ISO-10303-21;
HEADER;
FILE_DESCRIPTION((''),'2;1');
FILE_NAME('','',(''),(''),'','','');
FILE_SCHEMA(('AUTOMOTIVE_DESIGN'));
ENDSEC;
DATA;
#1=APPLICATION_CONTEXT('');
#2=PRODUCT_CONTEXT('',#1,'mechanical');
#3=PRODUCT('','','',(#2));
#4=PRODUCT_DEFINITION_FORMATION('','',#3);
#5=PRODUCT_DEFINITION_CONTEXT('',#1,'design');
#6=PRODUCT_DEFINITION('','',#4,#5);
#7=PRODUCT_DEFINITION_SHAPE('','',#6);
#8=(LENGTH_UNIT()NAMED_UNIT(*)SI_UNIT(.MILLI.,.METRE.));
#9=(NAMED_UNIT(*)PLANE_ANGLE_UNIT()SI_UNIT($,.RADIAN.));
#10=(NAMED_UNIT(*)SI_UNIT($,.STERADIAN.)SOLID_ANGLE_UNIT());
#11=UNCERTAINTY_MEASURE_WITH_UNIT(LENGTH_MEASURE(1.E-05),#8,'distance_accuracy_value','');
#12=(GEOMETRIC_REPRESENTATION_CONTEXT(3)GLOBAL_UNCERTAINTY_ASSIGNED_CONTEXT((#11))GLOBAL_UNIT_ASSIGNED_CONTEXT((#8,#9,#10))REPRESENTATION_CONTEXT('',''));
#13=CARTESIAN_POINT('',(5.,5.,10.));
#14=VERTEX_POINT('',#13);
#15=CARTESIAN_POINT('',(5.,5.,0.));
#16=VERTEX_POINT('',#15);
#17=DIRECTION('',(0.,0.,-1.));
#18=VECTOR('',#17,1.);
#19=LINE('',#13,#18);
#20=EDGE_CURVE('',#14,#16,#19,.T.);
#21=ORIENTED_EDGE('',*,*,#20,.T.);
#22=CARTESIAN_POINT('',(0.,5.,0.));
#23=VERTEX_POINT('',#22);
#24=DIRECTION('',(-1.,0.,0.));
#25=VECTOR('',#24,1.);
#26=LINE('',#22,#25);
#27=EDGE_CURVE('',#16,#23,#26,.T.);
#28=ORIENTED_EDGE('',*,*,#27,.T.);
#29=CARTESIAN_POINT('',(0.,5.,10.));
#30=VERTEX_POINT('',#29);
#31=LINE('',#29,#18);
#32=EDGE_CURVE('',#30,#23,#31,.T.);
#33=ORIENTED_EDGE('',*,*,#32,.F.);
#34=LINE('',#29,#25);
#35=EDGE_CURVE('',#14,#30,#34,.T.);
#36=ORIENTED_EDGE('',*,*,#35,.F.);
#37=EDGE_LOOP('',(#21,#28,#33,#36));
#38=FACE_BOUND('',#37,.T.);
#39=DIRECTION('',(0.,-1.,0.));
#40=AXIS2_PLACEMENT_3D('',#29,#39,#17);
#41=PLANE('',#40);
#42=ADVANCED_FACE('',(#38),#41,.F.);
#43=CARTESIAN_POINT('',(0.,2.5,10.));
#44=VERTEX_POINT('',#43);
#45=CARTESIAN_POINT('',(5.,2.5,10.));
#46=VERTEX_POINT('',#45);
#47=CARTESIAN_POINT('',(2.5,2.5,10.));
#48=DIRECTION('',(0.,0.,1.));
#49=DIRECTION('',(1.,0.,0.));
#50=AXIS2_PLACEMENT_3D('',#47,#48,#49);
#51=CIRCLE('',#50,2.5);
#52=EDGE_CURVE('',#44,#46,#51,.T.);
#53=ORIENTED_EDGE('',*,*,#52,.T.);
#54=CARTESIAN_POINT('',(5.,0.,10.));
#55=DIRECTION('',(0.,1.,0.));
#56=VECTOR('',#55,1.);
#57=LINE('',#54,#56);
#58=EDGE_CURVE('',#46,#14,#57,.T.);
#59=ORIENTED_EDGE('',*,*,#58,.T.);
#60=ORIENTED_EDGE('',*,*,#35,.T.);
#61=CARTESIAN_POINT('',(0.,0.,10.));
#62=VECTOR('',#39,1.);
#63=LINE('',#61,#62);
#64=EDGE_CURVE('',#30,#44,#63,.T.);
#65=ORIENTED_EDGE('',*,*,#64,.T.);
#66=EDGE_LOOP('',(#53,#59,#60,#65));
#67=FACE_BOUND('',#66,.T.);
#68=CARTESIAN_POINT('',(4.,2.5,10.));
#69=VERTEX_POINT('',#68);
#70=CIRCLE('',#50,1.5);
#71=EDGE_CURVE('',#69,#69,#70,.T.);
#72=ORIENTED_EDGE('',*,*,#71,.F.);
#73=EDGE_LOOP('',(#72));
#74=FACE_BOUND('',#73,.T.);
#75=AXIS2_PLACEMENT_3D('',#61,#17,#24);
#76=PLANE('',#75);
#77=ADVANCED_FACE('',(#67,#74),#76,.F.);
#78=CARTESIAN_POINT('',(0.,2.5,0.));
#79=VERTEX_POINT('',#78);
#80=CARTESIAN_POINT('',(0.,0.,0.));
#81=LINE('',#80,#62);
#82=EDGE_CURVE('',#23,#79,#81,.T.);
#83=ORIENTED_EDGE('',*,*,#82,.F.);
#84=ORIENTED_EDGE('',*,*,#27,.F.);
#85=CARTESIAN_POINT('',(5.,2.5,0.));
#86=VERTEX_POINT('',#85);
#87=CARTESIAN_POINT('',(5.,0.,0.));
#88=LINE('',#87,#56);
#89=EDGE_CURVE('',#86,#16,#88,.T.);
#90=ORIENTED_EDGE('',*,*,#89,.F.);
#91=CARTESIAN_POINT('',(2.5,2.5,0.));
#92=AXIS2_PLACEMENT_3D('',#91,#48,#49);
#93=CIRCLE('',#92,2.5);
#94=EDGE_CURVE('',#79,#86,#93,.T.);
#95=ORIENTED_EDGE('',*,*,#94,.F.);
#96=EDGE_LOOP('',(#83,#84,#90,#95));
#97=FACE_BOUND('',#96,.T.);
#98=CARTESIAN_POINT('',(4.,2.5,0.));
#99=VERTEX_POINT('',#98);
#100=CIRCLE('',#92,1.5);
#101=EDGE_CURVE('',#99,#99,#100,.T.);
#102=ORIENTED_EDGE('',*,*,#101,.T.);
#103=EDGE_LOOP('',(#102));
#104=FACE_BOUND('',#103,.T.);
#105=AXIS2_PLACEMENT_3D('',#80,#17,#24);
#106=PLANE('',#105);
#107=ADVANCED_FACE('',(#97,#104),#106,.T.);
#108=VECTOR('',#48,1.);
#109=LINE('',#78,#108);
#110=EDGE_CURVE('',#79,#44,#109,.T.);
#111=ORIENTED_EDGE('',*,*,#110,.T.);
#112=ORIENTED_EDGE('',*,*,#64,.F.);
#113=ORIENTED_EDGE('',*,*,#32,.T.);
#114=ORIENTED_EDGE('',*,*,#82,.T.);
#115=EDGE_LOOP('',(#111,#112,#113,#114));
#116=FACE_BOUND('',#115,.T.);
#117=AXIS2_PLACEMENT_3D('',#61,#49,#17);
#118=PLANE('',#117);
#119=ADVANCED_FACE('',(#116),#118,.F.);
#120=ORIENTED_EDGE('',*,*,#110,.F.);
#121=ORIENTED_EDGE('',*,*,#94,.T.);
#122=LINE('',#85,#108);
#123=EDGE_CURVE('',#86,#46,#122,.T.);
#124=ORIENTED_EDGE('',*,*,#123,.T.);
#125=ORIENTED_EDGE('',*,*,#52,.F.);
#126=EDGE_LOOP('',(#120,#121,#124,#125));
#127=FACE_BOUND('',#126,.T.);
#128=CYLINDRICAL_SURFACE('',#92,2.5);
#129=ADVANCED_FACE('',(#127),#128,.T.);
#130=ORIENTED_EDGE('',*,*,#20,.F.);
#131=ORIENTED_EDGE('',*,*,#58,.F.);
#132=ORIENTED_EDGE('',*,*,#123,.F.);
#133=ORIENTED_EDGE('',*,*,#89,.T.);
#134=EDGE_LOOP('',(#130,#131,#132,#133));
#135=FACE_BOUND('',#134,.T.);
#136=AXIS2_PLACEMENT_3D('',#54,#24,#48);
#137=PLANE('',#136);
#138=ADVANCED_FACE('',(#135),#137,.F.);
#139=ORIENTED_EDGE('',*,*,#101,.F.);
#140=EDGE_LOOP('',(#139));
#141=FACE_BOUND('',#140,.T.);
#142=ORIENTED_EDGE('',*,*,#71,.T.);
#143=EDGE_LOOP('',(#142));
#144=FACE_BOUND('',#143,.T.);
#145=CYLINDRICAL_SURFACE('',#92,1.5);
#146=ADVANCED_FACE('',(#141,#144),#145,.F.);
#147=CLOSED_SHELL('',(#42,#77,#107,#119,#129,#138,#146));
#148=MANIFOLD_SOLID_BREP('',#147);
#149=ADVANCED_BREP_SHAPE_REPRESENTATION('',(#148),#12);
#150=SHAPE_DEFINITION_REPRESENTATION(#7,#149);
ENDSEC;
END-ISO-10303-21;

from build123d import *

# Parameters (mm, degrees)
ESQUISSE1_W             = 5
ESQUISSE1_H             = 5
BOSS_EXTRU_1_DEPTH      = 10
ESQUISSE2_R             = 1.5
ENL_V_MAT_EXTRU_1_DEPTH = 13.247448714


with BuildPart() as part:
    # Esquisse1 → Boss.-Extru.1 (new body)
    with BuildSketch(Plane.XY):
        with Locations((2.5, 2.5)):
            Rectangle(ESQUISSE1_W, ESQUISSE1_H)
    extrude(amount=BOSS_EXTRU_1_DEPTH)

    # Esquisse2 → Enlèv. mat.-Extru.1 (cut, through all)
    with BuildSketch(Plane.XY.offset(10)):
        with Locations((2.5, 2.5)):
            Circle(ESQUISSE2_R)
        with BuildLine():
            ThreePointArc((5, 2.5), (4.267766953, 0.732233047), (2.5, 0))
            Line((2.5, 0), (5, 0))
            Line((5, 0), (5, 2.5))
        make_face()
        with BuildLine():
            ThreePointArc((2.5, 0), (0.732233047, 0.732233047), (0, 2.5))
            Line((0, 2.5), (0, 0))
            Line((0, 0), (2.5, 0))
        make_face()
    extrude(amount=-ENL_V_MAT_EXTRU_1_DEPTH, mode=Mode.SUBTRACT)


solid = part.part
